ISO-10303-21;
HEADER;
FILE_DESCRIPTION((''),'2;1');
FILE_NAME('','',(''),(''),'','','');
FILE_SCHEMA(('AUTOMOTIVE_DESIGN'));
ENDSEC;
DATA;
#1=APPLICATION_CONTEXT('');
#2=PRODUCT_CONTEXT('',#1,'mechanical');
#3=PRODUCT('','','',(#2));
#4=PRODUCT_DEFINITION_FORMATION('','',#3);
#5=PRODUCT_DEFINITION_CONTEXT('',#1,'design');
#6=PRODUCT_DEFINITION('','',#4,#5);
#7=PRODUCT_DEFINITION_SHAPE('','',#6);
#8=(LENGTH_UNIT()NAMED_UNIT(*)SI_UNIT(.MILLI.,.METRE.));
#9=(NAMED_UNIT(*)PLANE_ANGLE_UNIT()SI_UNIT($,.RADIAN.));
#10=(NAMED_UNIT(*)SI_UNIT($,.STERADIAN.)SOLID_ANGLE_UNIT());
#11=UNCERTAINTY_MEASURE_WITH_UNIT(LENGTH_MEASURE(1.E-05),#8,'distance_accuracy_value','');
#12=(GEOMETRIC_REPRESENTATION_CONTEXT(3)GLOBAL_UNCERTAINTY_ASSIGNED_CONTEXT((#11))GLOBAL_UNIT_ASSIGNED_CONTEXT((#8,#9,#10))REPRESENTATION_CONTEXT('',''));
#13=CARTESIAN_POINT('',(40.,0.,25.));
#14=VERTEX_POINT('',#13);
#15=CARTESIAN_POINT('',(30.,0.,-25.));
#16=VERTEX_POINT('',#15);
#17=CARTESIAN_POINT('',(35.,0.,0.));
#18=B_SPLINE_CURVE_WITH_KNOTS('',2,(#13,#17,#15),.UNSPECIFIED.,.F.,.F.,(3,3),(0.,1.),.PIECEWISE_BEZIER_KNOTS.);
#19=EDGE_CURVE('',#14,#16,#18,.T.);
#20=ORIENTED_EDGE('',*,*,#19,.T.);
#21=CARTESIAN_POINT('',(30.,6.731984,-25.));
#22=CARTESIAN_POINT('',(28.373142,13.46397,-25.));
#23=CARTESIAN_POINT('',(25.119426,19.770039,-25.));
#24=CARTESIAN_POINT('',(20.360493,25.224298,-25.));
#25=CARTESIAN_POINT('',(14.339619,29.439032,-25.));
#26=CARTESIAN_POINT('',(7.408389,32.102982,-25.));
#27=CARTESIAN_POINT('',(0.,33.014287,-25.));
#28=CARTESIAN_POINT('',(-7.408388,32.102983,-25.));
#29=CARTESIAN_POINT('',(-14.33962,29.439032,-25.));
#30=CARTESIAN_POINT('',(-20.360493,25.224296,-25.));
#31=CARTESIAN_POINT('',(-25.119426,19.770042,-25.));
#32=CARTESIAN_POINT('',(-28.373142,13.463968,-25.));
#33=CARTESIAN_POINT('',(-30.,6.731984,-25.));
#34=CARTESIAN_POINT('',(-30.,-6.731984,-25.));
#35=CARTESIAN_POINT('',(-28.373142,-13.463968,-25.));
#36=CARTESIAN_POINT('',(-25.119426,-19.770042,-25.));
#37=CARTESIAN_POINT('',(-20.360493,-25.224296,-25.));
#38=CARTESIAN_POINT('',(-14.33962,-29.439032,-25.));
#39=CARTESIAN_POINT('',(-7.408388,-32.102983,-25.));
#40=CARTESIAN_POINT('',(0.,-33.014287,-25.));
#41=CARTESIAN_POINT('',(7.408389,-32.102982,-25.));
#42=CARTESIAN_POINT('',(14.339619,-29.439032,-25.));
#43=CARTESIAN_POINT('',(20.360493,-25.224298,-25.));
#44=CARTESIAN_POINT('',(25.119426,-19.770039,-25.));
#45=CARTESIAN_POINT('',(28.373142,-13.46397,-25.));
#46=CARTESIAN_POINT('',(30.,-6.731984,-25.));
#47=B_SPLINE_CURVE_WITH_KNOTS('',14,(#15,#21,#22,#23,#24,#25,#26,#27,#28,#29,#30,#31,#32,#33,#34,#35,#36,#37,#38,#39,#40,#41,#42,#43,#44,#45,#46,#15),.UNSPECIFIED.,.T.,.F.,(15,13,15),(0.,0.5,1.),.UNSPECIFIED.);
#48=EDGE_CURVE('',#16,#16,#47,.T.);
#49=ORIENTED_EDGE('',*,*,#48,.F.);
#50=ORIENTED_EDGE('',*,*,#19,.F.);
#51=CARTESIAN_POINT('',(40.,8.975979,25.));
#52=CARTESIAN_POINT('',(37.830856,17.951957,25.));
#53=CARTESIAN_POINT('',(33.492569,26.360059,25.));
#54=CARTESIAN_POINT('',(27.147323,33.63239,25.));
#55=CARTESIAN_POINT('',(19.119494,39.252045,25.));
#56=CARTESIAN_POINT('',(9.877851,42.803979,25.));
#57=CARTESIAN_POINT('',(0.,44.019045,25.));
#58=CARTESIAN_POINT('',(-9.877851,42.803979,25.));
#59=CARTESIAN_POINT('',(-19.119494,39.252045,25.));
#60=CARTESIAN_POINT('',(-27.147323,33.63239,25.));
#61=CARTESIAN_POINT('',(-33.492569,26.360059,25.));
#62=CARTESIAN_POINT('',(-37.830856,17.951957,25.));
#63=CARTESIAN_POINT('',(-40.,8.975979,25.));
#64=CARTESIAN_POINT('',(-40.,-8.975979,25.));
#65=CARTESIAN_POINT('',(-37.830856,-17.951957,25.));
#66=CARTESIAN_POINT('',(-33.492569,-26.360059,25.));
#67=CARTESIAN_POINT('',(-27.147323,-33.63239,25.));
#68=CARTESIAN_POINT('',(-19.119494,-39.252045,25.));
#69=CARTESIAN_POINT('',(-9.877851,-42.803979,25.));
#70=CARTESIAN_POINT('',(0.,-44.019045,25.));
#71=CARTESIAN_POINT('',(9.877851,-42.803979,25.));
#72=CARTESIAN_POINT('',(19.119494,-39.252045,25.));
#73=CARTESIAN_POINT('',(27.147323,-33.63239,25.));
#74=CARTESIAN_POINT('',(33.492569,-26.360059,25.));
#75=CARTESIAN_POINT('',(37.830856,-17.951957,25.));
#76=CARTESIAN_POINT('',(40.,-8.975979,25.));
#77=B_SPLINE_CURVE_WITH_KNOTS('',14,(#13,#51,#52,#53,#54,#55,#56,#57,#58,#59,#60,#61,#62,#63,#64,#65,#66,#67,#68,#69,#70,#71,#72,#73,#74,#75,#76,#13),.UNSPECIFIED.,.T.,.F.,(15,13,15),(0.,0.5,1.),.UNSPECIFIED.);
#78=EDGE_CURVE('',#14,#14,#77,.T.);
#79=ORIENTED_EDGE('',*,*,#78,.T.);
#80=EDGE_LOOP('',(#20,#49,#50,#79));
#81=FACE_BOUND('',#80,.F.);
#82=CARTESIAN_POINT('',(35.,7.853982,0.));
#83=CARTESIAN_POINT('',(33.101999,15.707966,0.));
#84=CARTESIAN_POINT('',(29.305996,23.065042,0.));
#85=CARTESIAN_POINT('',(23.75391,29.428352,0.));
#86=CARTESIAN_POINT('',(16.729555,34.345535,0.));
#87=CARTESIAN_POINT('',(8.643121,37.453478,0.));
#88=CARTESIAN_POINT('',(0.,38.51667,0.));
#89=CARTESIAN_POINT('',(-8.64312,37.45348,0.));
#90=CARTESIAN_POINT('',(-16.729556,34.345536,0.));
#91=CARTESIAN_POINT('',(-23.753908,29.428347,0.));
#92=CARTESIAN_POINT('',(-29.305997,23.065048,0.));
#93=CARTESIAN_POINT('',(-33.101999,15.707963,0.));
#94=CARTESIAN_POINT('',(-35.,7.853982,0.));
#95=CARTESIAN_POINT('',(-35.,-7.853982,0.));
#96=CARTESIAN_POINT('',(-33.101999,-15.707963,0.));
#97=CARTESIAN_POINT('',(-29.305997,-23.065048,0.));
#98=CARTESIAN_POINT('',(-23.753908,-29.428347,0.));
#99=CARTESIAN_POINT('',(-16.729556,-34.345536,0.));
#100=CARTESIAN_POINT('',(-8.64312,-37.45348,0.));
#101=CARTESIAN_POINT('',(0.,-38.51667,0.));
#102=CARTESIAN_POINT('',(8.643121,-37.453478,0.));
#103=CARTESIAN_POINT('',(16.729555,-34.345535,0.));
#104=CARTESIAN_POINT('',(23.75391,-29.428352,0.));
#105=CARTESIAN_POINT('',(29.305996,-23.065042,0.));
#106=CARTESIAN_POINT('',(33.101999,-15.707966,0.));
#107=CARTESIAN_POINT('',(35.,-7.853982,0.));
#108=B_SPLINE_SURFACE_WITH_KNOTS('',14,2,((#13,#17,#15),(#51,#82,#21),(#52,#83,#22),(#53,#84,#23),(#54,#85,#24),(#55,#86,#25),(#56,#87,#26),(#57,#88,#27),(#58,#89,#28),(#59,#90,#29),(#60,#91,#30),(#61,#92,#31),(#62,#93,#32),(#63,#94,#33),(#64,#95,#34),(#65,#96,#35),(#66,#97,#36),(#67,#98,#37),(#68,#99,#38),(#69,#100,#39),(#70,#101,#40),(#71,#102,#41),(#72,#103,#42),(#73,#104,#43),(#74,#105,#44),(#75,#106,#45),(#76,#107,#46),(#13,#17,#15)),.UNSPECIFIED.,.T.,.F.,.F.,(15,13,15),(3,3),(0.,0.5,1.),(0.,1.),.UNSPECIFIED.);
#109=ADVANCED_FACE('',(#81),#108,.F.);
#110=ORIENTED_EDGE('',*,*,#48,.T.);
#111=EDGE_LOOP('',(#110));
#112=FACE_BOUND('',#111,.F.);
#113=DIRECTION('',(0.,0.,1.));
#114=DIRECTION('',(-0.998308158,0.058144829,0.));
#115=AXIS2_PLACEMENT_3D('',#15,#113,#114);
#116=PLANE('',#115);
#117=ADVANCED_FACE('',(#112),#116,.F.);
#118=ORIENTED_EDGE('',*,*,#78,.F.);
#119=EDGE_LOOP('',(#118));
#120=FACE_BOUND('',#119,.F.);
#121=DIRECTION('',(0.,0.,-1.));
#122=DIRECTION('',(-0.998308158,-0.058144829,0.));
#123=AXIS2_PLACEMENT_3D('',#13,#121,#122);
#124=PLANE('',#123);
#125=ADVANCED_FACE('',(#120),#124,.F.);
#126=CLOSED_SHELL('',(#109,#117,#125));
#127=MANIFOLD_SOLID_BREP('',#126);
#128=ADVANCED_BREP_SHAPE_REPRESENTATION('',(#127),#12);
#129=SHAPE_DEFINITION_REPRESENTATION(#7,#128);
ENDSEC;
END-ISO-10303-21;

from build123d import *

# Parameters (mm, degrees)
F2_R = 40
F3_R = 35
F4_R = 30


with BuildPart() as f5:
    # F2 (on offset) → F5 section 0
    with BuildSketch(Plane.XY.offset(25)):
        Circle(F2_R)
    # F3 (on Top) → F5 section 1
    with BuildSketch(Plane.XY):
        Circle(F3_R)
    # F4 (on offset) → F5 section 2
    with BuildSketch(Plane.XY.offset(-25)):
        Circle(F4_R)
    loft()


solid = f5.part
